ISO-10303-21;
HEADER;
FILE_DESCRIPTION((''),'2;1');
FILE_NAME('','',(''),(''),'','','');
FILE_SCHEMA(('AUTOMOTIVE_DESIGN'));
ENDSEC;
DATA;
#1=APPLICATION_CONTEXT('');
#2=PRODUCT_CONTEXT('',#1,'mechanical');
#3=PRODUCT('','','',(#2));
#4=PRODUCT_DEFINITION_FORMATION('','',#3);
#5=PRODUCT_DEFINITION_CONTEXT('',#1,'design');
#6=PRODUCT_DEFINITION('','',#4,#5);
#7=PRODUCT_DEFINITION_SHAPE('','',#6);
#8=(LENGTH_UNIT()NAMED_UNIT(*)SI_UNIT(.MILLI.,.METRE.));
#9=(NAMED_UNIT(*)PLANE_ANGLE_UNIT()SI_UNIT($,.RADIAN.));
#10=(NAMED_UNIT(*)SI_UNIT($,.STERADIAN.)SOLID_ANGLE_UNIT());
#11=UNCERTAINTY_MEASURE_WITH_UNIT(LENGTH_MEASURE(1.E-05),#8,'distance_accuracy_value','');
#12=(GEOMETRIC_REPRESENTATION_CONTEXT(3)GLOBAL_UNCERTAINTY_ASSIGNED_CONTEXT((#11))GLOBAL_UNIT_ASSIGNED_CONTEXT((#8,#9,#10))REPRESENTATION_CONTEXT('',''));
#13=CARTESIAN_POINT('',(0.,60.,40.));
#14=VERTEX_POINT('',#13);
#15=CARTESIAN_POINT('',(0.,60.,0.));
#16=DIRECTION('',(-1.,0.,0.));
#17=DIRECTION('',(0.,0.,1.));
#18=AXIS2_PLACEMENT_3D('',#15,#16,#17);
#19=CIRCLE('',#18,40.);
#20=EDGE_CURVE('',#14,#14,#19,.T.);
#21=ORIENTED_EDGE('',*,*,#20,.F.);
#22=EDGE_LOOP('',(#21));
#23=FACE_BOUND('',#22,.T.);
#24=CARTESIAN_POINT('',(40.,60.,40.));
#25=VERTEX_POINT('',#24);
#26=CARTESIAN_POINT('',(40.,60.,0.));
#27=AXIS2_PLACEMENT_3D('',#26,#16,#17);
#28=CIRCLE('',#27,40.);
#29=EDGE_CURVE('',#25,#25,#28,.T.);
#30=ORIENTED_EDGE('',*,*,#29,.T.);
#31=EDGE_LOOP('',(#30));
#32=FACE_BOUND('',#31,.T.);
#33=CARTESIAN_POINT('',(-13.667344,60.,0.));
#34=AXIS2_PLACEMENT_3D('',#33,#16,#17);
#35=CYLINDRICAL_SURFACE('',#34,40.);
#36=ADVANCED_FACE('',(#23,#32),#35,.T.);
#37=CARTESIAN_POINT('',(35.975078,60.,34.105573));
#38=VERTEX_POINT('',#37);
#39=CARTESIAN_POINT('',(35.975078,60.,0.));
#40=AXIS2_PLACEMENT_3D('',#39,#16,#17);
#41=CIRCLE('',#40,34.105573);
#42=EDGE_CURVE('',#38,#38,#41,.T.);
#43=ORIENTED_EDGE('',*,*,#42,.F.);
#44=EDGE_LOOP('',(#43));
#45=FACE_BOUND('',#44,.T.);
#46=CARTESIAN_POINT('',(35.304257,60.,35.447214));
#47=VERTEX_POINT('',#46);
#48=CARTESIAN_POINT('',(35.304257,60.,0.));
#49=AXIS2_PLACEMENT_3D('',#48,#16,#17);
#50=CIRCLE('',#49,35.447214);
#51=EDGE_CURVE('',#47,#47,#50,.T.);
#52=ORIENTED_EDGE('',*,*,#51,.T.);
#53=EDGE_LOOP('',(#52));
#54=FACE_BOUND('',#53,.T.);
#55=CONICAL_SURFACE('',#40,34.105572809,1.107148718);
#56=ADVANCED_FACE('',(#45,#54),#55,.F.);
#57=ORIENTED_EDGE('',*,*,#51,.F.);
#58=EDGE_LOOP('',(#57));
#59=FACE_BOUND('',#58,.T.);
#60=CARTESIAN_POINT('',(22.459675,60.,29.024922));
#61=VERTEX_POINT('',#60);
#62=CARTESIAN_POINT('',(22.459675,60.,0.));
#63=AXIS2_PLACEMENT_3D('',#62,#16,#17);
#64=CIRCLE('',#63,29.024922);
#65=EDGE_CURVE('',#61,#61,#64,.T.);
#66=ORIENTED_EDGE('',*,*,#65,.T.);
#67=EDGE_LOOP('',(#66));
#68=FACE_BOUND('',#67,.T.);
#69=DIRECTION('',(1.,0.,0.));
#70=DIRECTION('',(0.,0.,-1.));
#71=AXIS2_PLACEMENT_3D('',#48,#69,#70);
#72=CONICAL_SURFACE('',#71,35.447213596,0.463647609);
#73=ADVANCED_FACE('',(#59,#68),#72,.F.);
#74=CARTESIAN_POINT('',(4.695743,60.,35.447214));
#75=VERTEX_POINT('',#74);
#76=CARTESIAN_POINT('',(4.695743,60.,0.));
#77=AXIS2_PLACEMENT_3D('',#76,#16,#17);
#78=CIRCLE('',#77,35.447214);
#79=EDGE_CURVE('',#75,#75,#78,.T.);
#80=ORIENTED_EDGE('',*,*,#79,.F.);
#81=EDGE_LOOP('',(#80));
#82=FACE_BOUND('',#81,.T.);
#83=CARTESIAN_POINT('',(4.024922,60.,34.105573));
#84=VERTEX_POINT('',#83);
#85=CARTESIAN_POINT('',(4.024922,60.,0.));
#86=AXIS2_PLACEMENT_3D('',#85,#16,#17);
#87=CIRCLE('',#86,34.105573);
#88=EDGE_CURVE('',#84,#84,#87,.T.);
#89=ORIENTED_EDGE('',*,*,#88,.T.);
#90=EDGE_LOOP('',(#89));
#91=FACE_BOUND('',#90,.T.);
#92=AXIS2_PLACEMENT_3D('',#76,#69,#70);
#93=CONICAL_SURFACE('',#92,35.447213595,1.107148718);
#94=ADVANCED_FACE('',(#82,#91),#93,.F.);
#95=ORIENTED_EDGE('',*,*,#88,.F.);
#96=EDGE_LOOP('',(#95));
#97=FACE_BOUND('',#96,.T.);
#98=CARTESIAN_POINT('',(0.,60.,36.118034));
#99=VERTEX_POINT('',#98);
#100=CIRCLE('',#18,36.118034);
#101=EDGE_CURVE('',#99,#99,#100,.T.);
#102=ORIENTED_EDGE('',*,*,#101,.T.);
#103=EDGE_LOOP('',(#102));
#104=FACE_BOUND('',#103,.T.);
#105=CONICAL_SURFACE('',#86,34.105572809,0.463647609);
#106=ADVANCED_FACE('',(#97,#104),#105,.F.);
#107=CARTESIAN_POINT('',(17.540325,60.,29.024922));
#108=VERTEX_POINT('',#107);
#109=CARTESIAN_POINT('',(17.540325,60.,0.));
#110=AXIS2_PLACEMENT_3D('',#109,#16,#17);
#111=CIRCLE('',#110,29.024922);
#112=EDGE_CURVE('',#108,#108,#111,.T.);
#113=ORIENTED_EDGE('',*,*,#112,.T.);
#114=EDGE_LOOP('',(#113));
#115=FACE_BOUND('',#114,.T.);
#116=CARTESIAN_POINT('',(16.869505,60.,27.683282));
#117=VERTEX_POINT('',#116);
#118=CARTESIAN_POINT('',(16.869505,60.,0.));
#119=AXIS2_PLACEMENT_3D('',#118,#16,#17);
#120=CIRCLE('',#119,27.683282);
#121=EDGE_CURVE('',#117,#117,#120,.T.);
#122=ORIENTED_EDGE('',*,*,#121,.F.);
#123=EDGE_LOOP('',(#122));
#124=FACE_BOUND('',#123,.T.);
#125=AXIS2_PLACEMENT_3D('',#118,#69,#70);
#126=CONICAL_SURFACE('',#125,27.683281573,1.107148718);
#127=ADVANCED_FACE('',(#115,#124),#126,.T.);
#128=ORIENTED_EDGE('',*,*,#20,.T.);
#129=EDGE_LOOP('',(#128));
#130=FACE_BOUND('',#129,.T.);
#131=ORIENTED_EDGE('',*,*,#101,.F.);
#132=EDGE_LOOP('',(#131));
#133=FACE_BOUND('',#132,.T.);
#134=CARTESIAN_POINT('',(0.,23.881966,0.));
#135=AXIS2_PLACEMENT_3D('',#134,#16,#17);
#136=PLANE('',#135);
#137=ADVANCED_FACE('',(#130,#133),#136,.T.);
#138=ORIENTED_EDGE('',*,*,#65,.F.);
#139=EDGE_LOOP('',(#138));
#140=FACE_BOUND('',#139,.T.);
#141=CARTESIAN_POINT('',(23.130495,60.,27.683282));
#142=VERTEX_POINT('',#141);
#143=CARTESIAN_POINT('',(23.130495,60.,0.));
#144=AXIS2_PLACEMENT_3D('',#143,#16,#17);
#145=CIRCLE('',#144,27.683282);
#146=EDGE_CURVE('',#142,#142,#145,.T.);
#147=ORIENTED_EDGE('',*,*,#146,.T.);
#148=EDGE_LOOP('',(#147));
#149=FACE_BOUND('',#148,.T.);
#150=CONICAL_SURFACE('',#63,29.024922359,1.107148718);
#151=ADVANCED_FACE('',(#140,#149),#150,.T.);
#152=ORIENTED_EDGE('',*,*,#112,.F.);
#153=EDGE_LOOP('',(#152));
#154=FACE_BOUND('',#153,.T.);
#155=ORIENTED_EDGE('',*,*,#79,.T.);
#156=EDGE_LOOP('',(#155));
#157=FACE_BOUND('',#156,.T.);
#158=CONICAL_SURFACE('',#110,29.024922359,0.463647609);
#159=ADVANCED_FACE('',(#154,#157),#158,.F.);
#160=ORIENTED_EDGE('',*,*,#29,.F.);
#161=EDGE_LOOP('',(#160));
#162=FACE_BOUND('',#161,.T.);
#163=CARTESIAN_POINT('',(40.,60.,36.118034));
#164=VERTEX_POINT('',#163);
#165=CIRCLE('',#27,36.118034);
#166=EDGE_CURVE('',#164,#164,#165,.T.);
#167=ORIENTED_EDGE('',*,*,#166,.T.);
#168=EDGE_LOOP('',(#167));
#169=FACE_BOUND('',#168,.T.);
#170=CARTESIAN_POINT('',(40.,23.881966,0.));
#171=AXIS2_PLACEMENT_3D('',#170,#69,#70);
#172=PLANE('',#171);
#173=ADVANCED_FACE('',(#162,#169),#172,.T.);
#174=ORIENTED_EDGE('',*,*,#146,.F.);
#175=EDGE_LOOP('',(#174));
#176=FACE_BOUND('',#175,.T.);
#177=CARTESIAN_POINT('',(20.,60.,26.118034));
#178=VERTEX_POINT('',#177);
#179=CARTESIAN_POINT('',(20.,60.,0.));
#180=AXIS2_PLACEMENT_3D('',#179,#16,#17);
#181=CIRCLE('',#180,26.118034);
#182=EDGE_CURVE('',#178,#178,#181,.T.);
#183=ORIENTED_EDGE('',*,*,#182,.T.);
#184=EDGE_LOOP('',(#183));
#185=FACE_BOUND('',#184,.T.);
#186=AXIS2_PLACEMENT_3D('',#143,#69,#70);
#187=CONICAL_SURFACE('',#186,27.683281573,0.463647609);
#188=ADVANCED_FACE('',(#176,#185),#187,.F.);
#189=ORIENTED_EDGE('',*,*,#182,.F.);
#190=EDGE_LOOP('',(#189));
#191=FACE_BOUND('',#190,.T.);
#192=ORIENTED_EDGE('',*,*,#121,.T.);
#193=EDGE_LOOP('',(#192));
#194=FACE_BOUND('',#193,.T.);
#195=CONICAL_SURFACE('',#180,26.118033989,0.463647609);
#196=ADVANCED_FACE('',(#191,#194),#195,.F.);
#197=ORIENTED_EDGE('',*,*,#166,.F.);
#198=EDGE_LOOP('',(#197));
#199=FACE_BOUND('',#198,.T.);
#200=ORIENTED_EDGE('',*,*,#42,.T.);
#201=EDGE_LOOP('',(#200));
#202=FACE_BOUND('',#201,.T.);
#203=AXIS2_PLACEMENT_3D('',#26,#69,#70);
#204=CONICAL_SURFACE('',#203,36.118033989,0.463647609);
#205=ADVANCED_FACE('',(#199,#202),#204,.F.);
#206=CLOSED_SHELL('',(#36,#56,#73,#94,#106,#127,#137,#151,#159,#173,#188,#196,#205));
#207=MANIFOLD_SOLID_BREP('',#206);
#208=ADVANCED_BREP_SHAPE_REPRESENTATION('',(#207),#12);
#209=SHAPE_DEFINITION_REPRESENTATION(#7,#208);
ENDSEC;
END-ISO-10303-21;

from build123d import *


with BuildPart() as part:
    # Sketch2 → Revolve1 (revolve)
    with BuildSketch(Plane.XY, mode=Mode.PRIVATE) as revolve1_sk:
        Polygon((0, 20), (40, 20), (40, 23.881966011), (35.975077641, 25.894427191), (35.304257247, 24.552786405), (22.459674775, 30.975077641), (23.130495168, 32.316718427), (20, 33.881966011), (16.869504832, 32.316718427), (17.540325225, 30.975077641), (4.695742753, 24.552786405), (4.024922359, 25.894427191), (0, 23.881966011), align=None)
    revolve(revolve1_sk.sketch.rotate(Axis((-13.667343935, 60, 0), (1, 0, 0)), 270), axis=Axis((-13.667343935, 60, 0), (1, 0, 0)))


solid = part.part
